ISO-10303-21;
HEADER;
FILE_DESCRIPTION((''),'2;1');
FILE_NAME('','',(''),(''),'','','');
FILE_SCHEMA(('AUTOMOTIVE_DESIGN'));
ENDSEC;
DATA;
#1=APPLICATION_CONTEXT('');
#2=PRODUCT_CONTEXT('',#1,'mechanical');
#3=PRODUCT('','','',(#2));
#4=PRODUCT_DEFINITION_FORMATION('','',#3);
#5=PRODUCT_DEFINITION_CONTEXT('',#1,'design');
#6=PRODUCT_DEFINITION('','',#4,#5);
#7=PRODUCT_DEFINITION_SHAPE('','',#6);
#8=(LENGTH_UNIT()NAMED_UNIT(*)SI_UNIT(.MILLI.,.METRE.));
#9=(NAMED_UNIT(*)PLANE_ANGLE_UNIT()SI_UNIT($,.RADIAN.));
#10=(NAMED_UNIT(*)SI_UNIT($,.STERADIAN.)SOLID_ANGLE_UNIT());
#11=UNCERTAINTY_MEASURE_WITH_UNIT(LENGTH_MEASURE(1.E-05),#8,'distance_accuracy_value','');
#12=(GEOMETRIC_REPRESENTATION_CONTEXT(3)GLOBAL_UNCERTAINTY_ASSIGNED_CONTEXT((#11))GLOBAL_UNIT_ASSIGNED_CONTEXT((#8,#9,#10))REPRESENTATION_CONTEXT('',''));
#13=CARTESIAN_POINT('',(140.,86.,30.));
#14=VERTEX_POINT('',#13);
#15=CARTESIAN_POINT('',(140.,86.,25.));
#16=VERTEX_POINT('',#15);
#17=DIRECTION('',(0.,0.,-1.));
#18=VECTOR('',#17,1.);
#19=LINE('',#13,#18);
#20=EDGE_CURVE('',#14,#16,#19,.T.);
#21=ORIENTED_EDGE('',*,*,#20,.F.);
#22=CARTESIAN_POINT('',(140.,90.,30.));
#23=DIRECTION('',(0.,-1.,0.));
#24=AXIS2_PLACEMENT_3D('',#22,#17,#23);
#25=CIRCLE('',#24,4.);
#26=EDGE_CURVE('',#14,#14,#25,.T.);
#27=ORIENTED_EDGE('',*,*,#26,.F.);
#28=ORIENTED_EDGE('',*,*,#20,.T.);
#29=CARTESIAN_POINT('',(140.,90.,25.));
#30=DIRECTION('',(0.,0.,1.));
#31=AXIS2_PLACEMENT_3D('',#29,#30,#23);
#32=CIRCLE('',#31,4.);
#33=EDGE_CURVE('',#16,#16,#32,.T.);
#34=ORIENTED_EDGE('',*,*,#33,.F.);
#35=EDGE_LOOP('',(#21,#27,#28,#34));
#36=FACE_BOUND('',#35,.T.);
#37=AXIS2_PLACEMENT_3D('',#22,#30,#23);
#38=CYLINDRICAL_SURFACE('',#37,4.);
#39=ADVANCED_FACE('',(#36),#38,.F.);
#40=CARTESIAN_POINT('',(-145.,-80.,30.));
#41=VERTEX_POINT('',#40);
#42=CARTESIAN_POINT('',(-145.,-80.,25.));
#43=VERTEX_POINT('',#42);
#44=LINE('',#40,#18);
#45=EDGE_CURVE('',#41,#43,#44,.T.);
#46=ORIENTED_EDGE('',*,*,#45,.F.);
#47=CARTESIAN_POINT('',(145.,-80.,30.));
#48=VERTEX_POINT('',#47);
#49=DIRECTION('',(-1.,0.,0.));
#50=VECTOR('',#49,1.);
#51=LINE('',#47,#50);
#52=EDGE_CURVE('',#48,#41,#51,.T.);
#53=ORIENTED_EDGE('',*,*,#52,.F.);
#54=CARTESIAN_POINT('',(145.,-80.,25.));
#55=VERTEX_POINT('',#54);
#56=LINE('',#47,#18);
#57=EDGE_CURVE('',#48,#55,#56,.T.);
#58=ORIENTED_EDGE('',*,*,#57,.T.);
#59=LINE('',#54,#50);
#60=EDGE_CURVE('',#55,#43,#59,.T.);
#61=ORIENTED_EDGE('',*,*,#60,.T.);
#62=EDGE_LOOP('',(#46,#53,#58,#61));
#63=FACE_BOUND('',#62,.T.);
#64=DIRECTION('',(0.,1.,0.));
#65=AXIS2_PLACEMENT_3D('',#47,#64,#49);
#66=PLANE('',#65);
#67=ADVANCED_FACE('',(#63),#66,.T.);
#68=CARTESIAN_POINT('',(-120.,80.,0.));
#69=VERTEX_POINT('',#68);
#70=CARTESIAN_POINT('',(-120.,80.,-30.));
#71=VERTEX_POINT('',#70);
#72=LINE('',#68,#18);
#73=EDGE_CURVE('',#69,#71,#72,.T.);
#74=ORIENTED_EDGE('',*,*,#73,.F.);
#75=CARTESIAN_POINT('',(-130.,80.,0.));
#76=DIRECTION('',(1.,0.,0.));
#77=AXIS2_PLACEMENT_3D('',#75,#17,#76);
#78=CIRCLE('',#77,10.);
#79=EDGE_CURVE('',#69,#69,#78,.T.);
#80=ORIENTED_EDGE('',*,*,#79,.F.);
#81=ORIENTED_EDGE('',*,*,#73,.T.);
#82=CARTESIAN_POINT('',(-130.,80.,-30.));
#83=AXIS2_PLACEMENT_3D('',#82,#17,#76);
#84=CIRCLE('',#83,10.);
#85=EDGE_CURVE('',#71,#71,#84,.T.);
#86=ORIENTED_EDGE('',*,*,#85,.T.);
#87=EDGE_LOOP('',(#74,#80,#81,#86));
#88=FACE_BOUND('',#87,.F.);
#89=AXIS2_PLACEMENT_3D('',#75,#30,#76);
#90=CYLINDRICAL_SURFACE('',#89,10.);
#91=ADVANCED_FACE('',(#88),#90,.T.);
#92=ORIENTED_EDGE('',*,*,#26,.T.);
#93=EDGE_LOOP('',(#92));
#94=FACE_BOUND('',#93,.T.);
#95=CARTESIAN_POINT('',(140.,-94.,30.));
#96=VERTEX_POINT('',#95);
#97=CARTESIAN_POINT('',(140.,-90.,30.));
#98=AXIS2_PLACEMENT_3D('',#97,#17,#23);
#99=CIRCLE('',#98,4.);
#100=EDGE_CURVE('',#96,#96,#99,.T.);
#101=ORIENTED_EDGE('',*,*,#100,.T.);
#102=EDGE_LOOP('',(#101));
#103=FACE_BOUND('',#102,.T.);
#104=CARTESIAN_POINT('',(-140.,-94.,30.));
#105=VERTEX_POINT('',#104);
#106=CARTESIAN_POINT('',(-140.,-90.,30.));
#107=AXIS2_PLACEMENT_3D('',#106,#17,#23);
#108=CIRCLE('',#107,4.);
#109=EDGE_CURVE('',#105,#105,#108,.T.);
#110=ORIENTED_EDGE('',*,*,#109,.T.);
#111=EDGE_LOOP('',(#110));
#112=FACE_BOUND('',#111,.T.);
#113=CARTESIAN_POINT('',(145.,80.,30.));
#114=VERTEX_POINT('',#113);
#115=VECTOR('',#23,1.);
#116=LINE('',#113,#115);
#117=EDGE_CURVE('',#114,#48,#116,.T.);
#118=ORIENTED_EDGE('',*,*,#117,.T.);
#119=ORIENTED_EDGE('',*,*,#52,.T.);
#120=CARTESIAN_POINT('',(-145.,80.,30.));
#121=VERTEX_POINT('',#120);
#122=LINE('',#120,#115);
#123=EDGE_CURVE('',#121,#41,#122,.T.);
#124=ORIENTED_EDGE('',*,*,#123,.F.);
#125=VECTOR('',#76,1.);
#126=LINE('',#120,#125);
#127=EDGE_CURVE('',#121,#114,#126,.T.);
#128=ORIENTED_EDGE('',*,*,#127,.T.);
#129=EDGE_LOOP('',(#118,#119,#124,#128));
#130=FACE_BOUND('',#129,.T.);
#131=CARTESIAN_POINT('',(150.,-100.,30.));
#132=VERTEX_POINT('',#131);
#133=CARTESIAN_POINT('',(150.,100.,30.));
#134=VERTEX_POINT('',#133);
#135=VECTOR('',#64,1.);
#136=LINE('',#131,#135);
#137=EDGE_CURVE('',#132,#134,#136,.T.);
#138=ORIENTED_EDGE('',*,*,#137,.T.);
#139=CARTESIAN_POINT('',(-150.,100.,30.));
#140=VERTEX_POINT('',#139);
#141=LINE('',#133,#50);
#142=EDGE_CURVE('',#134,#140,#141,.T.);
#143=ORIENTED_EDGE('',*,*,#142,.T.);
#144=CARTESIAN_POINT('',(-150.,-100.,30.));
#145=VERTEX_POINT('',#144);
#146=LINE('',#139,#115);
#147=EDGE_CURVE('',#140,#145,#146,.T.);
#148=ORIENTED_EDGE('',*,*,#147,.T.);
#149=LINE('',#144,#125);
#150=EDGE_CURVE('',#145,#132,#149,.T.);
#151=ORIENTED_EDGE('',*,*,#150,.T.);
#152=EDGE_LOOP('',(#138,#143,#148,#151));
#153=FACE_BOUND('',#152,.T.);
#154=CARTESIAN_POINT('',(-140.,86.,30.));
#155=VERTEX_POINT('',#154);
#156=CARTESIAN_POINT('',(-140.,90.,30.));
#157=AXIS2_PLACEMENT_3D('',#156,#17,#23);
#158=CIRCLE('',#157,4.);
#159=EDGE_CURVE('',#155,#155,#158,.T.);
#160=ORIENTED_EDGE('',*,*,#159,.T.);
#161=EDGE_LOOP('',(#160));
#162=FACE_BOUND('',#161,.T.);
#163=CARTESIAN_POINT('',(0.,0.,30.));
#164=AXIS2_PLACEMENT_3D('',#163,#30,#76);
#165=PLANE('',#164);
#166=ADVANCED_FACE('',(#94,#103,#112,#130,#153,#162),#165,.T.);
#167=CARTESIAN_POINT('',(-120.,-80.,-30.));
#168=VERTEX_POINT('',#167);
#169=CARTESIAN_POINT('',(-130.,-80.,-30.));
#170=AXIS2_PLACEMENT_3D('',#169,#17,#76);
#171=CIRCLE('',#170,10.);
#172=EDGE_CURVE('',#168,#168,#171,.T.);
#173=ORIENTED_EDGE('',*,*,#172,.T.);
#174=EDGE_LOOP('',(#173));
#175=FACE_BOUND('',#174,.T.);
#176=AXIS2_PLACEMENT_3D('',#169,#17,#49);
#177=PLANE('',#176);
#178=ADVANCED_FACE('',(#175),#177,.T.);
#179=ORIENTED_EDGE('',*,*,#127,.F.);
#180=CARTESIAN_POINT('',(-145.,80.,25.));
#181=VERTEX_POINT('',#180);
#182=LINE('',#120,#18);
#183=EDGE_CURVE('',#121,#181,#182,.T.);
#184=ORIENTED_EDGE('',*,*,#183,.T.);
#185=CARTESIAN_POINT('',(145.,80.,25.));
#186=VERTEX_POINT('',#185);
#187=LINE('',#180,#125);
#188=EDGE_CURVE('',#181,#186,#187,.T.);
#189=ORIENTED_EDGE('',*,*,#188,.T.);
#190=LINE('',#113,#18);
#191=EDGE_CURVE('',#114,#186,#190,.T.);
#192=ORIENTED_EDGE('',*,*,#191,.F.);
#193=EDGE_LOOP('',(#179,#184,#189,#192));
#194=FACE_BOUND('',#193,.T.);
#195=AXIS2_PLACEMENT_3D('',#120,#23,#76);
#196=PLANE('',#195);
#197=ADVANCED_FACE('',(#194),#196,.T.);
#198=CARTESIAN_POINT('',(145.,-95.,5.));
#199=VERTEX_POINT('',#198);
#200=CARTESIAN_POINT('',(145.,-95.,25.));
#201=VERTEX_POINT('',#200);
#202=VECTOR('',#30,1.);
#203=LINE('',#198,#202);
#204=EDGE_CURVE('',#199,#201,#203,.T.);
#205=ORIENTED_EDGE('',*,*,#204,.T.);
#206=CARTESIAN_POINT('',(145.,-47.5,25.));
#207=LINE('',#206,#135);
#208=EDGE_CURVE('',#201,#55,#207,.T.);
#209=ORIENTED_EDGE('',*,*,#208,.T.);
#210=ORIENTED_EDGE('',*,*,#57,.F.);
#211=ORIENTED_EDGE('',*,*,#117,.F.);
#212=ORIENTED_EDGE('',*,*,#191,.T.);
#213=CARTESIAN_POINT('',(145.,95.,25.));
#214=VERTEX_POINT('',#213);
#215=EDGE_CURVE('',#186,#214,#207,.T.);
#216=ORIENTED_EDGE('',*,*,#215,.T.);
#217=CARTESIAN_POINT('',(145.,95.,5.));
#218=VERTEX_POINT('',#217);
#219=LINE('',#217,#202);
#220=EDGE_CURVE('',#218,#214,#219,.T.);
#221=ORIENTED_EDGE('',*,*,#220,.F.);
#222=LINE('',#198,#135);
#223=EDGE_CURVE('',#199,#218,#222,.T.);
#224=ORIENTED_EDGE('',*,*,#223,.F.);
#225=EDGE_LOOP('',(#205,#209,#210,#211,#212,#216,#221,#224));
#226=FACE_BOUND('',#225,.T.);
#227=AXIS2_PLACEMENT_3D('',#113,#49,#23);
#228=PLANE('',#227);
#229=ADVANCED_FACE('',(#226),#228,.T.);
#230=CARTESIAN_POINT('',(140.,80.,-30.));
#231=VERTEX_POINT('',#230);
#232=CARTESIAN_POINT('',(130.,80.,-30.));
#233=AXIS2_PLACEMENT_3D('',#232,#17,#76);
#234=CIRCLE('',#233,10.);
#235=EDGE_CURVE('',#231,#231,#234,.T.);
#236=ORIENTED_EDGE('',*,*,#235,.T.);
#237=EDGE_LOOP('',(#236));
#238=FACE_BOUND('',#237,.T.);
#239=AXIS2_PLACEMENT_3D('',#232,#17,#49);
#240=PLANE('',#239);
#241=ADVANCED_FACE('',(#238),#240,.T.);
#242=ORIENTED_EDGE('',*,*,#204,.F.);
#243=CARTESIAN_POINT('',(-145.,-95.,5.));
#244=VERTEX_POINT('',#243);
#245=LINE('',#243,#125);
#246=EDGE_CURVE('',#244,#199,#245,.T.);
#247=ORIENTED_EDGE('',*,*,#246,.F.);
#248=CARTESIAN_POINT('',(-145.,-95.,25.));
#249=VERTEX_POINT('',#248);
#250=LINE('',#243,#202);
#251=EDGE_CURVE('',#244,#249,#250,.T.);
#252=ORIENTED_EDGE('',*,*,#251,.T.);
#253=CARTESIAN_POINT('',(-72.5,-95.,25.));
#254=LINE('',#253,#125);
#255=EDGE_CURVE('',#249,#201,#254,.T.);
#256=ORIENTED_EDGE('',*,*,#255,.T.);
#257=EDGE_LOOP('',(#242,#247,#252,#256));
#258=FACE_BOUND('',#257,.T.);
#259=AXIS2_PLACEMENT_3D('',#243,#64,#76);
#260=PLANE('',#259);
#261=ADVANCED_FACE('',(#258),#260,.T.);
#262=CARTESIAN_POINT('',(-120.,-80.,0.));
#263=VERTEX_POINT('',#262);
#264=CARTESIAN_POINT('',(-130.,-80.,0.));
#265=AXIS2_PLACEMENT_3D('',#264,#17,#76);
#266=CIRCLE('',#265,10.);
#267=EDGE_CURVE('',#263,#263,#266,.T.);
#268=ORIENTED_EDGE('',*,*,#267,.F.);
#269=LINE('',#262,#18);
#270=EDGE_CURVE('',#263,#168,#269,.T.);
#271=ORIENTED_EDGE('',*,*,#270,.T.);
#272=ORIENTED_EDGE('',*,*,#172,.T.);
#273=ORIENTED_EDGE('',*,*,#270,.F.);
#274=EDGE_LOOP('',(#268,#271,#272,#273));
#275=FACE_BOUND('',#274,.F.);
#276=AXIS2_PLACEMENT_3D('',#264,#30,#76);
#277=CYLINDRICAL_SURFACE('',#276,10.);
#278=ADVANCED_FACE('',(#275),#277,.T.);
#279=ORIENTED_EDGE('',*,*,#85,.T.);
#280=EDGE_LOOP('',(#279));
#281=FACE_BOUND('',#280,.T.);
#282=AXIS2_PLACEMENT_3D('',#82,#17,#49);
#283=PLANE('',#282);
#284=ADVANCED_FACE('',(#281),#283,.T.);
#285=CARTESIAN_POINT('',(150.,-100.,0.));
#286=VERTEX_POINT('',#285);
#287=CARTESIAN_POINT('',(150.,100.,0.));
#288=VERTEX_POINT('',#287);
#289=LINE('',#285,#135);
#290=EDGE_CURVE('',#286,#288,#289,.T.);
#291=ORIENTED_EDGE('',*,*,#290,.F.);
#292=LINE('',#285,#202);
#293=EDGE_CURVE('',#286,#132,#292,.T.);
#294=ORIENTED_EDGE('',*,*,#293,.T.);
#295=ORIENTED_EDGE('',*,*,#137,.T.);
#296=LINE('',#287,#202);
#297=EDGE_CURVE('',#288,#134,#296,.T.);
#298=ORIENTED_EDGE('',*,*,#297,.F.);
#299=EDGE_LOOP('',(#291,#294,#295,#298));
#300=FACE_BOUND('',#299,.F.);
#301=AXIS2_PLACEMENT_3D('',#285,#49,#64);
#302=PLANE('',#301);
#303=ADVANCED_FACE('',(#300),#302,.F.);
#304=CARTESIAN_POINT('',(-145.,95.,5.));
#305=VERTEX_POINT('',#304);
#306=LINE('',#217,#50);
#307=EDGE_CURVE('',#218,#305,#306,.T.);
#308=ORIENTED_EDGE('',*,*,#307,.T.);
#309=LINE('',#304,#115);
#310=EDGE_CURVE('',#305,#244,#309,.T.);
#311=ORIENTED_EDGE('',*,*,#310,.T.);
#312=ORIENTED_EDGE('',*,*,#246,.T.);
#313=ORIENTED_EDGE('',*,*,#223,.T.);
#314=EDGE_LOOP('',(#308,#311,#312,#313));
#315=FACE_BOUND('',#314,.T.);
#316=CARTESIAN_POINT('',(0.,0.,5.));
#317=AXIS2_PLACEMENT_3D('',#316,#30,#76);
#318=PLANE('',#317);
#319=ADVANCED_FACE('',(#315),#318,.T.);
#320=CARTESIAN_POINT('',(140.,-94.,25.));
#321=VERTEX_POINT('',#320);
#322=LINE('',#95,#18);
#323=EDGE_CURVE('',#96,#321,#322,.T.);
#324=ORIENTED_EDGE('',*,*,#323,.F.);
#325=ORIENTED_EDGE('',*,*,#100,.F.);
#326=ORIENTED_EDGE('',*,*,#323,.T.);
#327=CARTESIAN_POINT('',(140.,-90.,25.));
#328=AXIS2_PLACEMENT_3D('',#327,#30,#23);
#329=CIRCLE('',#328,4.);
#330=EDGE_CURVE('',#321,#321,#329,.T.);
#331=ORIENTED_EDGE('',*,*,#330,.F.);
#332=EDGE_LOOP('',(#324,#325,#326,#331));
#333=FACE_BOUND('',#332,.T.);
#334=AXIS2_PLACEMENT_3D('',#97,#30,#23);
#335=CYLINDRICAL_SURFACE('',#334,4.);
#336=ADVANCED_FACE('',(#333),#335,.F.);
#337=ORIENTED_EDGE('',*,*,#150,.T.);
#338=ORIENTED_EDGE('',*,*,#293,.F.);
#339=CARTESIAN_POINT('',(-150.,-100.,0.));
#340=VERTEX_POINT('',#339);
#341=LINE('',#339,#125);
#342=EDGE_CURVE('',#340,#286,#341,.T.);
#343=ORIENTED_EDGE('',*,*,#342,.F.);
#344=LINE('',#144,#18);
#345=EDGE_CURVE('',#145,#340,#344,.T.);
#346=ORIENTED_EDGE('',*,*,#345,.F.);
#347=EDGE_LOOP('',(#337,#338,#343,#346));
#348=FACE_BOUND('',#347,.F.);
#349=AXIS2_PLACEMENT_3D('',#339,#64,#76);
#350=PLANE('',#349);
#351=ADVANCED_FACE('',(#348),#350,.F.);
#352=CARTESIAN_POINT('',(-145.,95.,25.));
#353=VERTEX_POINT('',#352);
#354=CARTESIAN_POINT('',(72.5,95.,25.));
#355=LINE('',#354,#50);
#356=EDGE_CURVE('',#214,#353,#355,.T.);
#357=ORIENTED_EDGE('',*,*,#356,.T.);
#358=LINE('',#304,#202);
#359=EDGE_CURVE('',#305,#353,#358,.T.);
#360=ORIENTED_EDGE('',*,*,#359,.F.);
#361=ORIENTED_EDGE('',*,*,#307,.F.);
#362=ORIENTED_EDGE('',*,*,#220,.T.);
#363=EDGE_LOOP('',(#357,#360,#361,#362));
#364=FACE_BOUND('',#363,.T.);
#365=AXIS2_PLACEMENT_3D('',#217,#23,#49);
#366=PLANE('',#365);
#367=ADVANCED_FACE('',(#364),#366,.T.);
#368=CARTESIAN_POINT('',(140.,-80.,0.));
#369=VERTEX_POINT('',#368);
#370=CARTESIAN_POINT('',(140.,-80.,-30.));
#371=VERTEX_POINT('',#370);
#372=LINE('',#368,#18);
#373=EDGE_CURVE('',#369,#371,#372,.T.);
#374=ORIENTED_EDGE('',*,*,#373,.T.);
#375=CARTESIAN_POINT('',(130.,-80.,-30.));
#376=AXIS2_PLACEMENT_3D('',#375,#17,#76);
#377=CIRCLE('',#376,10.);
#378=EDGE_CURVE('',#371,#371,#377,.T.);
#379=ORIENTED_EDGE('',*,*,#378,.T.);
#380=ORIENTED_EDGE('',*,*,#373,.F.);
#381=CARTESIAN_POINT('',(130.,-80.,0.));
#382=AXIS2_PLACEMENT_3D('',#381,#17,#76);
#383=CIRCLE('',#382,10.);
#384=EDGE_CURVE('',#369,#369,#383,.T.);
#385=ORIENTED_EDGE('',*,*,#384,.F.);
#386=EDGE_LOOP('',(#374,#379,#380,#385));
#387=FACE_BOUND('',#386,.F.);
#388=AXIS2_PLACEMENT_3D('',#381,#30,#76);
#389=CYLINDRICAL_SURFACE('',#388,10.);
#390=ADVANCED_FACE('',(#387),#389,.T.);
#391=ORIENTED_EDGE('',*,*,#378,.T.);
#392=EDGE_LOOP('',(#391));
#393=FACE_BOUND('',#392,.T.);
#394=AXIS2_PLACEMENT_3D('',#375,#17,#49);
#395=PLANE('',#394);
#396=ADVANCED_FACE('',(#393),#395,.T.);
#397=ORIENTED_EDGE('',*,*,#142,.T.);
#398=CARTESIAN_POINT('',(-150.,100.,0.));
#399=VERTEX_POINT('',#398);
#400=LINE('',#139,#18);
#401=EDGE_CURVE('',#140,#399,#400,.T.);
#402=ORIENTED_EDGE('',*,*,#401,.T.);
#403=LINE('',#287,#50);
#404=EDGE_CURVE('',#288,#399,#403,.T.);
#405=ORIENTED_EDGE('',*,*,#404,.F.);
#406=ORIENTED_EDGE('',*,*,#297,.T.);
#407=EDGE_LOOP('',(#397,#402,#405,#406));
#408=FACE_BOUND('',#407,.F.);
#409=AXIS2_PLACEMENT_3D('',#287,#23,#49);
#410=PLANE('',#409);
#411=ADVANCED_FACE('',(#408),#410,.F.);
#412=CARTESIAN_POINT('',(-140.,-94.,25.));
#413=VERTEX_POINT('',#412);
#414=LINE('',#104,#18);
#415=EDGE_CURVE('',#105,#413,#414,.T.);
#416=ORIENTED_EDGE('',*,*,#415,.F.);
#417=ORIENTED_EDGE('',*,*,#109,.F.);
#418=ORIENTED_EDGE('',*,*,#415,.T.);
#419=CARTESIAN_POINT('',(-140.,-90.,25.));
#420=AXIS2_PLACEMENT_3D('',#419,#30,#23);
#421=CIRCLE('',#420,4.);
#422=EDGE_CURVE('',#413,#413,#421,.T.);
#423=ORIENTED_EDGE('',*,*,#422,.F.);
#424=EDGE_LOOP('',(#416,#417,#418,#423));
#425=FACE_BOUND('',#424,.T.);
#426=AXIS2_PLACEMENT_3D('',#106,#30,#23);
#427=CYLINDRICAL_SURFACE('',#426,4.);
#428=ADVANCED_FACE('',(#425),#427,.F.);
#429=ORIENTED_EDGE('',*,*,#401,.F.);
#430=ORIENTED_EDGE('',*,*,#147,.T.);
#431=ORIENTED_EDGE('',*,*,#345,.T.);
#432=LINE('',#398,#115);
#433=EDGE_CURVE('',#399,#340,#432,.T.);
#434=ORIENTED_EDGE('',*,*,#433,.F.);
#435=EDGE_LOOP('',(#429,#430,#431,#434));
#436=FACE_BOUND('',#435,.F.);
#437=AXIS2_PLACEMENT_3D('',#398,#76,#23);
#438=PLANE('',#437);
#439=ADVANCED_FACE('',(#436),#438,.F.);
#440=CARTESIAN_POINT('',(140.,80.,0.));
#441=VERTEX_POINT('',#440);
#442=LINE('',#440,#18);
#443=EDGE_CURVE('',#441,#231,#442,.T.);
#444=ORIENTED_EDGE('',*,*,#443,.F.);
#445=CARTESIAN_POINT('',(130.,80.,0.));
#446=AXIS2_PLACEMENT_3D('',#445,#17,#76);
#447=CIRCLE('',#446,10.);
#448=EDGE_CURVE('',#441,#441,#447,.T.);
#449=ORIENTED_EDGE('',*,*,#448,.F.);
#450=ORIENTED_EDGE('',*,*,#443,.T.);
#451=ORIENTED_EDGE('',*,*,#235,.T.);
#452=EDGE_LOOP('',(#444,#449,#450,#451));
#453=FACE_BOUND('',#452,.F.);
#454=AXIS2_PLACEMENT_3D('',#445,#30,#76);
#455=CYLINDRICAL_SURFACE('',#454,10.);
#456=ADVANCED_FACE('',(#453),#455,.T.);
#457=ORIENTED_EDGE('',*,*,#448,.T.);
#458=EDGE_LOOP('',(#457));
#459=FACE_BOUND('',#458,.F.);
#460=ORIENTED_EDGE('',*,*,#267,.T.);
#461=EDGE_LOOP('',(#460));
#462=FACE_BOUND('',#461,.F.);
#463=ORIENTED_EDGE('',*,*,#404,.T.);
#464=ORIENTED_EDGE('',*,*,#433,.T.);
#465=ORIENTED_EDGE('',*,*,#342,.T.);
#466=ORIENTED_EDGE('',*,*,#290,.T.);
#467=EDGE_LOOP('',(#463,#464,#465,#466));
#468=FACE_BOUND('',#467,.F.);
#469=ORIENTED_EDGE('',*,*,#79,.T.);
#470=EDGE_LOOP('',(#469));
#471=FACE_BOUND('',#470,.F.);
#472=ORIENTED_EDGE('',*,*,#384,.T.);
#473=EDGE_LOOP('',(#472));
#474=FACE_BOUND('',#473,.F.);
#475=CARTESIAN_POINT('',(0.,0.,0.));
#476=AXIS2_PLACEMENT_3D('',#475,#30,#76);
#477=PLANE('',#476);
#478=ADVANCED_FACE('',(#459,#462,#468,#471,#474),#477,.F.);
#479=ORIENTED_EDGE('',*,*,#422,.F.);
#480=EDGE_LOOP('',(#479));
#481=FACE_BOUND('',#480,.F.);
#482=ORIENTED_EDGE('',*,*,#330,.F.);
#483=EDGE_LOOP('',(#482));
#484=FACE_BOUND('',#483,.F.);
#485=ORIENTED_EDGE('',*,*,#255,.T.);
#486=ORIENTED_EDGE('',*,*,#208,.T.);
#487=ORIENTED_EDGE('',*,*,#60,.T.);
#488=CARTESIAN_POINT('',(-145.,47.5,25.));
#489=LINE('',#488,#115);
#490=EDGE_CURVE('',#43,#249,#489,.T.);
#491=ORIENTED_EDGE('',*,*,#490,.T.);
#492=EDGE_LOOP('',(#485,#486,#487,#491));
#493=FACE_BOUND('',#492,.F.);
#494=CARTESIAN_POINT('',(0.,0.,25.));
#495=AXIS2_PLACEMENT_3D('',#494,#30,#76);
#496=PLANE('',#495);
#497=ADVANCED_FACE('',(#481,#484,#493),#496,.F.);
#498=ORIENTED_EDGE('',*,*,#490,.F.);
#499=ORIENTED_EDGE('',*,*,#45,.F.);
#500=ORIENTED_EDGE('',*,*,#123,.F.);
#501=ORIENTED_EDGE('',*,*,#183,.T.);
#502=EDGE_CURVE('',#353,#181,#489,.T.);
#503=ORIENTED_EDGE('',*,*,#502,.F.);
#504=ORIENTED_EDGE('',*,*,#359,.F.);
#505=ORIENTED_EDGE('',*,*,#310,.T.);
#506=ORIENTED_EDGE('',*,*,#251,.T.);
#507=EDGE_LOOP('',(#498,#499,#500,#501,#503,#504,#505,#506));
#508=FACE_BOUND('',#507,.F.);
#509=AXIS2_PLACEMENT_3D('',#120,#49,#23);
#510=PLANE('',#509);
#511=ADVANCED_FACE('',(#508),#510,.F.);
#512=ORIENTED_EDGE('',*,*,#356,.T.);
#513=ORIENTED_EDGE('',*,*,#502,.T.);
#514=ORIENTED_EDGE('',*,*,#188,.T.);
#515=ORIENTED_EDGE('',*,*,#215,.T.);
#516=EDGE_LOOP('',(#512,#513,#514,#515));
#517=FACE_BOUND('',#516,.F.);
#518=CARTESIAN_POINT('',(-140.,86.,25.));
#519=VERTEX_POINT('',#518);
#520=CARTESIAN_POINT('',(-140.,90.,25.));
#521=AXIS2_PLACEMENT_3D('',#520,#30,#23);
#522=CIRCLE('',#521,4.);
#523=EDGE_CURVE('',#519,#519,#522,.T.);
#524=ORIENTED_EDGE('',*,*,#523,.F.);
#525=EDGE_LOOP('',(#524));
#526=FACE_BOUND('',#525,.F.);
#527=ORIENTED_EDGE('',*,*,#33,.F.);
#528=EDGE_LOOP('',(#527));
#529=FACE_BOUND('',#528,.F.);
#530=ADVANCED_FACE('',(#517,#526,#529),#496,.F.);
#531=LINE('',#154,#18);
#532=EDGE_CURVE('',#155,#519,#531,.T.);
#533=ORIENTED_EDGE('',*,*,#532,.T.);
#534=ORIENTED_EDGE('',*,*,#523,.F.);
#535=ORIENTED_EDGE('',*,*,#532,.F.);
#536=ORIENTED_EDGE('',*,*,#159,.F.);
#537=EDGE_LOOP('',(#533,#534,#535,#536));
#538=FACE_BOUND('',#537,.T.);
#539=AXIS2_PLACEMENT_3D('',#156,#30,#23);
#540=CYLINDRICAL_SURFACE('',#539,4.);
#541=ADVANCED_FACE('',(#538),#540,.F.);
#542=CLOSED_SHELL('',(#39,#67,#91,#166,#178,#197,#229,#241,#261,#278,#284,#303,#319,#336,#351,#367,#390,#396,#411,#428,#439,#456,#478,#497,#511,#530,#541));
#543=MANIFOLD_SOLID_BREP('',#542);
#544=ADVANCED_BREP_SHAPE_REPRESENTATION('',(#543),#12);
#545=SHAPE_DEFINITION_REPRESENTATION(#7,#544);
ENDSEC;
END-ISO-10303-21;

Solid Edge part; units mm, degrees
sketch "Sketch1" plane through (0, 0, 0) normal (0, 0, 1) x (1, 0, 0)
  line L0 (-150, -100) -> (150, -100)
  line L1 (150, -100) -> (150, 100)
  line L2 (150, 100) -> (-150, 100)
  line L3 (-150, 100) -> (-150, -100)
  dimension "D1" = 300
  dimension "D2" = 200
extrude "Protrusion1" add sketch "Sketch1" along normal blind 5
sketch "Sketch2" plane through (0, 0, 0) normal (0, 0, -1) x (1, 0, 0)
  circle A0 centre (-130, 80) radius 10
  circle A1 centre (130, 80) radius 10
  circle A2 centre (130, -80) radius 10
  circle A3 centre (-130, -80) radius 10
  dimension "D1" = 20
  dimension "D2" = 20
  dimension "D3" = 20
  dimension "D4" = 20
  dimension "D5" = 20
  dimension "D6" = 20
  dimension "D7" = 20
  dimension "D8" = 20
extrude "ExtrudedProtrusion_2" add sketch "Sketch2" along normal blind 30
sketch "Sketch3" plane through (0, 0, 5) normal (0, 0, 1) x (1, 0, 0)
  line L0 (-150, -100) -> (150, -100)
  line L1 (150, -100) -> (150, 100)
  line L2 (150, 100) -> (-150, 100)
  line L3 (-150, 100) -> (-150, -100)
  line L4 (145, 95) -> (-145, 95)
  line L5 (-145, 95) -> (-145, -95)
  line L6 (-145, -95) -> (145, -95)
  line L7 (145, -95) -> (145, 95)
extrude "ExtrudedProtrusion_3" add sketch "Sketch3" along normal blind 25
sketch "Sketch4" plane through (0, 0, 30) normal (0, 0, 1) x (1, 0, 0)
  line L0 (-145, 80) -> (-145, -80)
  line L1 (145, -80) -> (-145, -80)
  line L2 (145, 80) -> (145, -80)
  line L3 (-145, 80) -> (145, 80)
  line L4 (-150, -100) -> (150, -100)
  line L5 (150, -100) -> (150, 100)
  line L6 (150, 100) -> (-150, 100)
  line L7 (-150, 100) -> (-150, -100)
extrude "ExtrudedProtrusion_5" add sketch "Sketch4" against normal blind 5
hole "Hole_1" at (140, 90, 30) direction (0, 0, -1) diameter 8 end up to next thread major 10 thread length 5
hole "Hole1" at (-140, -90, 30) direction (0, 0, -1) diameter 8 end up to next thread major 10 thread length 5
hole "Hole2" at (-140, 90, 30) direction (0, 0, -1) diameter 8 end up to next thread major 10 thread length 5
hole "Hole3" at (140, -90, 30) direction (0, 0, -1) diameter 8 end up to next thread major 10 thread length 5
